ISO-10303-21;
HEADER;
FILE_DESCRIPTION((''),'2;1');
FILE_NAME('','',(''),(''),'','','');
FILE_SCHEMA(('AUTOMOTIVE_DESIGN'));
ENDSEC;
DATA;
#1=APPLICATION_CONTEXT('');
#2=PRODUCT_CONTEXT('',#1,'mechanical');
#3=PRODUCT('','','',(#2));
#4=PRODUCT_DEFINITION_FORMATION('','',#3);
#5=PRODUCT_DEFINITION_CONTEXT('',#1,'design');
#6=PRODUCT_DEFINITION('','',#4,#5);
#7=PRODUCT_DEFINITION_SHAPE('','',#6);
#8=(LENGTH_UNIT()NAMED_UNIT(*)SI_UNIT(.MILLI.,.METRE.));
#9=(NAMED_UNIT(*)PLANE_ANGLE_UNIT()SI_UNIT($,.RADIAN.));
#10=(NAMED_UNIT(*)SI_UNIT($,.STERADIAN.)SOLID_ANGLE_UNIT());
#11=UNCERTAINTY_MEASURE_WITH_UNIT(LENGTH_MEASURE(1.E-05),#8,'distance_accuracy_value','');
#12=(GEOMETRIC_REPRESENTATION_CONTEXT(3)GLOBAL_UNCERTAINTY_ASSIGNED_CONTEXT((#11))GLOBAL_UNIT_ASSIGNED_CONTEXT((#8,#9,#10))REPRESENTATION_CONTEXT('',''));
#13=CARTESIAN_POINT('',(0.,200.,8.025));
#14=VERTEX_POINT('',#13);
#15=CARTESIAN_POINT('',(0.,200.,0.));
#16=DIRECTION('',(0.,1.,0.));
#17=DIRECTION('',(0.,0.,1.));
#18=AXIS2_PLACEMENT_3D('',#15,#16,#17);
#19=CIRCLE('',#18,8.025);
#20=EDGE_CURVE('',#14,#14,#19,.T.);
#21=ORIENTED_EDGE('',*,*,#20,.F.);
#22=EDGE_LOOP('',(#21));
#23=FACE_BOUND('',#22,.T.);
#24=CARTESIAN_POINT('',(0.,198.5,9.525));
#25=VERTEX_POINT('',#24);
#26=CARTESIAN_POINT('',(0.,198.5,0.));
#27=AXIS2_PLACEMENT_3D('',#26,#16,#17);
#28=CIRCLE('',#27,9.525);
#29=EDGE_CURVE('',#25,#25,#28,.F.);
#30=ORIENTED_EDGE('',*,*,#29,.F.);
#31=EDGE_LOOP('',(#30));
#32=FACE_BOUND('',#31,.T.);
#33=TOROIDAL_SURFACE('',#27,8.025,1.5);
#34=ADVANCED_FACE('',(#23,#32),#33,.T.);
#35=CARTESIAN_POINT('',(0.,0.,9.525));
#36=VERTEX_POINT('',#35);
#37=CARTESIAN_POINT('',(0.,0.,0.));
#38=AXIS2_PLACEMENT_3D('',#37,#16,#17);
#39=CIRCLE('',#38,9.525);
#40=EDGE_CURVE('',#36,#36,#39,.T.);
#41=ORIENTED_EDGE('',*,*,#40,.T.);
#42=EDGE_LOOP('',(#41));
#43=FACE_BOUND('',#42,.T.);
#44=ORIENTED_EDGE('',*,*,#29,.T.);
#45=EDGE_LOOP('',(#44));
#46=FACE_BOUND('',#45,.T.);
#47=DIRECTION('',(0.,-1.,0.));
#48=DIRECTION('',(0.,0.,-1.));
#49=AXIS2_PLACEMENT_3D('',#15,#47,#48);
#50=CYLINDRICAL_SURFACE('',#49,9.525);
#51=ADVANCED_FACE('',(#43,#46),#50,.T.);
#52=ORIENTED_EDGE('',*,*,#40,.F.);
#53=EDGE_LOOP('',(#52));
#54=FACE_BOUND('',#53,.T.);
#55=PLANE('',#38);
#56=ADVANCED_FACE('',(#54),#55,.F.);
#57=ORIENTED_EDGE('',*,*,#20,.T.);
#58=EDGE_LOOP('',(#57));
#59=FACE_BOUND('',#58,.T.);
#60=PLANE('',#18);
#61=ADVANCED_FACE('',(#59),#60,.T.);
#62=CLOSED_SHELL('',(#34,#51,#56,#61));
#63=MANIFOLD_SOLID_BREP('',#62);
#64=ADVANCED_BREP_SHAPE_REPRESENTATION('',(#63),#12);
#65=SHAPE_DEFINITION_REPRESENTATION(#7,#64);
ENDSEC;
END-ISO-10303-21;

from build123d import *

# Parameters (mm, degrees)
SKETCH1_R           = 9.525
BOSS_EXTRUDE1_DEPTH = 200
FILLET1_R           = 1.5


with BuildPart() as part:
    # Sketch1 → Boss-Extrude1 (new body)
    with BuildSketch(Plane(origin=(0, 0, 0), x_dir=(1, 0, 0), z_dir=(0, 1, 0))):
        Circle(SKETCH1_R)
    extrude(amount=BOSS_EXTRUDE1_DEPTH)

    # Fillet1
    fillet1_edges = [part.edges().sort_by_distance(p)[0] for p in [
        (-9.525, 200, 0),
    ]]
    fillet(fillet1_edges, radius=FILLET1_R)


solid = part.part
